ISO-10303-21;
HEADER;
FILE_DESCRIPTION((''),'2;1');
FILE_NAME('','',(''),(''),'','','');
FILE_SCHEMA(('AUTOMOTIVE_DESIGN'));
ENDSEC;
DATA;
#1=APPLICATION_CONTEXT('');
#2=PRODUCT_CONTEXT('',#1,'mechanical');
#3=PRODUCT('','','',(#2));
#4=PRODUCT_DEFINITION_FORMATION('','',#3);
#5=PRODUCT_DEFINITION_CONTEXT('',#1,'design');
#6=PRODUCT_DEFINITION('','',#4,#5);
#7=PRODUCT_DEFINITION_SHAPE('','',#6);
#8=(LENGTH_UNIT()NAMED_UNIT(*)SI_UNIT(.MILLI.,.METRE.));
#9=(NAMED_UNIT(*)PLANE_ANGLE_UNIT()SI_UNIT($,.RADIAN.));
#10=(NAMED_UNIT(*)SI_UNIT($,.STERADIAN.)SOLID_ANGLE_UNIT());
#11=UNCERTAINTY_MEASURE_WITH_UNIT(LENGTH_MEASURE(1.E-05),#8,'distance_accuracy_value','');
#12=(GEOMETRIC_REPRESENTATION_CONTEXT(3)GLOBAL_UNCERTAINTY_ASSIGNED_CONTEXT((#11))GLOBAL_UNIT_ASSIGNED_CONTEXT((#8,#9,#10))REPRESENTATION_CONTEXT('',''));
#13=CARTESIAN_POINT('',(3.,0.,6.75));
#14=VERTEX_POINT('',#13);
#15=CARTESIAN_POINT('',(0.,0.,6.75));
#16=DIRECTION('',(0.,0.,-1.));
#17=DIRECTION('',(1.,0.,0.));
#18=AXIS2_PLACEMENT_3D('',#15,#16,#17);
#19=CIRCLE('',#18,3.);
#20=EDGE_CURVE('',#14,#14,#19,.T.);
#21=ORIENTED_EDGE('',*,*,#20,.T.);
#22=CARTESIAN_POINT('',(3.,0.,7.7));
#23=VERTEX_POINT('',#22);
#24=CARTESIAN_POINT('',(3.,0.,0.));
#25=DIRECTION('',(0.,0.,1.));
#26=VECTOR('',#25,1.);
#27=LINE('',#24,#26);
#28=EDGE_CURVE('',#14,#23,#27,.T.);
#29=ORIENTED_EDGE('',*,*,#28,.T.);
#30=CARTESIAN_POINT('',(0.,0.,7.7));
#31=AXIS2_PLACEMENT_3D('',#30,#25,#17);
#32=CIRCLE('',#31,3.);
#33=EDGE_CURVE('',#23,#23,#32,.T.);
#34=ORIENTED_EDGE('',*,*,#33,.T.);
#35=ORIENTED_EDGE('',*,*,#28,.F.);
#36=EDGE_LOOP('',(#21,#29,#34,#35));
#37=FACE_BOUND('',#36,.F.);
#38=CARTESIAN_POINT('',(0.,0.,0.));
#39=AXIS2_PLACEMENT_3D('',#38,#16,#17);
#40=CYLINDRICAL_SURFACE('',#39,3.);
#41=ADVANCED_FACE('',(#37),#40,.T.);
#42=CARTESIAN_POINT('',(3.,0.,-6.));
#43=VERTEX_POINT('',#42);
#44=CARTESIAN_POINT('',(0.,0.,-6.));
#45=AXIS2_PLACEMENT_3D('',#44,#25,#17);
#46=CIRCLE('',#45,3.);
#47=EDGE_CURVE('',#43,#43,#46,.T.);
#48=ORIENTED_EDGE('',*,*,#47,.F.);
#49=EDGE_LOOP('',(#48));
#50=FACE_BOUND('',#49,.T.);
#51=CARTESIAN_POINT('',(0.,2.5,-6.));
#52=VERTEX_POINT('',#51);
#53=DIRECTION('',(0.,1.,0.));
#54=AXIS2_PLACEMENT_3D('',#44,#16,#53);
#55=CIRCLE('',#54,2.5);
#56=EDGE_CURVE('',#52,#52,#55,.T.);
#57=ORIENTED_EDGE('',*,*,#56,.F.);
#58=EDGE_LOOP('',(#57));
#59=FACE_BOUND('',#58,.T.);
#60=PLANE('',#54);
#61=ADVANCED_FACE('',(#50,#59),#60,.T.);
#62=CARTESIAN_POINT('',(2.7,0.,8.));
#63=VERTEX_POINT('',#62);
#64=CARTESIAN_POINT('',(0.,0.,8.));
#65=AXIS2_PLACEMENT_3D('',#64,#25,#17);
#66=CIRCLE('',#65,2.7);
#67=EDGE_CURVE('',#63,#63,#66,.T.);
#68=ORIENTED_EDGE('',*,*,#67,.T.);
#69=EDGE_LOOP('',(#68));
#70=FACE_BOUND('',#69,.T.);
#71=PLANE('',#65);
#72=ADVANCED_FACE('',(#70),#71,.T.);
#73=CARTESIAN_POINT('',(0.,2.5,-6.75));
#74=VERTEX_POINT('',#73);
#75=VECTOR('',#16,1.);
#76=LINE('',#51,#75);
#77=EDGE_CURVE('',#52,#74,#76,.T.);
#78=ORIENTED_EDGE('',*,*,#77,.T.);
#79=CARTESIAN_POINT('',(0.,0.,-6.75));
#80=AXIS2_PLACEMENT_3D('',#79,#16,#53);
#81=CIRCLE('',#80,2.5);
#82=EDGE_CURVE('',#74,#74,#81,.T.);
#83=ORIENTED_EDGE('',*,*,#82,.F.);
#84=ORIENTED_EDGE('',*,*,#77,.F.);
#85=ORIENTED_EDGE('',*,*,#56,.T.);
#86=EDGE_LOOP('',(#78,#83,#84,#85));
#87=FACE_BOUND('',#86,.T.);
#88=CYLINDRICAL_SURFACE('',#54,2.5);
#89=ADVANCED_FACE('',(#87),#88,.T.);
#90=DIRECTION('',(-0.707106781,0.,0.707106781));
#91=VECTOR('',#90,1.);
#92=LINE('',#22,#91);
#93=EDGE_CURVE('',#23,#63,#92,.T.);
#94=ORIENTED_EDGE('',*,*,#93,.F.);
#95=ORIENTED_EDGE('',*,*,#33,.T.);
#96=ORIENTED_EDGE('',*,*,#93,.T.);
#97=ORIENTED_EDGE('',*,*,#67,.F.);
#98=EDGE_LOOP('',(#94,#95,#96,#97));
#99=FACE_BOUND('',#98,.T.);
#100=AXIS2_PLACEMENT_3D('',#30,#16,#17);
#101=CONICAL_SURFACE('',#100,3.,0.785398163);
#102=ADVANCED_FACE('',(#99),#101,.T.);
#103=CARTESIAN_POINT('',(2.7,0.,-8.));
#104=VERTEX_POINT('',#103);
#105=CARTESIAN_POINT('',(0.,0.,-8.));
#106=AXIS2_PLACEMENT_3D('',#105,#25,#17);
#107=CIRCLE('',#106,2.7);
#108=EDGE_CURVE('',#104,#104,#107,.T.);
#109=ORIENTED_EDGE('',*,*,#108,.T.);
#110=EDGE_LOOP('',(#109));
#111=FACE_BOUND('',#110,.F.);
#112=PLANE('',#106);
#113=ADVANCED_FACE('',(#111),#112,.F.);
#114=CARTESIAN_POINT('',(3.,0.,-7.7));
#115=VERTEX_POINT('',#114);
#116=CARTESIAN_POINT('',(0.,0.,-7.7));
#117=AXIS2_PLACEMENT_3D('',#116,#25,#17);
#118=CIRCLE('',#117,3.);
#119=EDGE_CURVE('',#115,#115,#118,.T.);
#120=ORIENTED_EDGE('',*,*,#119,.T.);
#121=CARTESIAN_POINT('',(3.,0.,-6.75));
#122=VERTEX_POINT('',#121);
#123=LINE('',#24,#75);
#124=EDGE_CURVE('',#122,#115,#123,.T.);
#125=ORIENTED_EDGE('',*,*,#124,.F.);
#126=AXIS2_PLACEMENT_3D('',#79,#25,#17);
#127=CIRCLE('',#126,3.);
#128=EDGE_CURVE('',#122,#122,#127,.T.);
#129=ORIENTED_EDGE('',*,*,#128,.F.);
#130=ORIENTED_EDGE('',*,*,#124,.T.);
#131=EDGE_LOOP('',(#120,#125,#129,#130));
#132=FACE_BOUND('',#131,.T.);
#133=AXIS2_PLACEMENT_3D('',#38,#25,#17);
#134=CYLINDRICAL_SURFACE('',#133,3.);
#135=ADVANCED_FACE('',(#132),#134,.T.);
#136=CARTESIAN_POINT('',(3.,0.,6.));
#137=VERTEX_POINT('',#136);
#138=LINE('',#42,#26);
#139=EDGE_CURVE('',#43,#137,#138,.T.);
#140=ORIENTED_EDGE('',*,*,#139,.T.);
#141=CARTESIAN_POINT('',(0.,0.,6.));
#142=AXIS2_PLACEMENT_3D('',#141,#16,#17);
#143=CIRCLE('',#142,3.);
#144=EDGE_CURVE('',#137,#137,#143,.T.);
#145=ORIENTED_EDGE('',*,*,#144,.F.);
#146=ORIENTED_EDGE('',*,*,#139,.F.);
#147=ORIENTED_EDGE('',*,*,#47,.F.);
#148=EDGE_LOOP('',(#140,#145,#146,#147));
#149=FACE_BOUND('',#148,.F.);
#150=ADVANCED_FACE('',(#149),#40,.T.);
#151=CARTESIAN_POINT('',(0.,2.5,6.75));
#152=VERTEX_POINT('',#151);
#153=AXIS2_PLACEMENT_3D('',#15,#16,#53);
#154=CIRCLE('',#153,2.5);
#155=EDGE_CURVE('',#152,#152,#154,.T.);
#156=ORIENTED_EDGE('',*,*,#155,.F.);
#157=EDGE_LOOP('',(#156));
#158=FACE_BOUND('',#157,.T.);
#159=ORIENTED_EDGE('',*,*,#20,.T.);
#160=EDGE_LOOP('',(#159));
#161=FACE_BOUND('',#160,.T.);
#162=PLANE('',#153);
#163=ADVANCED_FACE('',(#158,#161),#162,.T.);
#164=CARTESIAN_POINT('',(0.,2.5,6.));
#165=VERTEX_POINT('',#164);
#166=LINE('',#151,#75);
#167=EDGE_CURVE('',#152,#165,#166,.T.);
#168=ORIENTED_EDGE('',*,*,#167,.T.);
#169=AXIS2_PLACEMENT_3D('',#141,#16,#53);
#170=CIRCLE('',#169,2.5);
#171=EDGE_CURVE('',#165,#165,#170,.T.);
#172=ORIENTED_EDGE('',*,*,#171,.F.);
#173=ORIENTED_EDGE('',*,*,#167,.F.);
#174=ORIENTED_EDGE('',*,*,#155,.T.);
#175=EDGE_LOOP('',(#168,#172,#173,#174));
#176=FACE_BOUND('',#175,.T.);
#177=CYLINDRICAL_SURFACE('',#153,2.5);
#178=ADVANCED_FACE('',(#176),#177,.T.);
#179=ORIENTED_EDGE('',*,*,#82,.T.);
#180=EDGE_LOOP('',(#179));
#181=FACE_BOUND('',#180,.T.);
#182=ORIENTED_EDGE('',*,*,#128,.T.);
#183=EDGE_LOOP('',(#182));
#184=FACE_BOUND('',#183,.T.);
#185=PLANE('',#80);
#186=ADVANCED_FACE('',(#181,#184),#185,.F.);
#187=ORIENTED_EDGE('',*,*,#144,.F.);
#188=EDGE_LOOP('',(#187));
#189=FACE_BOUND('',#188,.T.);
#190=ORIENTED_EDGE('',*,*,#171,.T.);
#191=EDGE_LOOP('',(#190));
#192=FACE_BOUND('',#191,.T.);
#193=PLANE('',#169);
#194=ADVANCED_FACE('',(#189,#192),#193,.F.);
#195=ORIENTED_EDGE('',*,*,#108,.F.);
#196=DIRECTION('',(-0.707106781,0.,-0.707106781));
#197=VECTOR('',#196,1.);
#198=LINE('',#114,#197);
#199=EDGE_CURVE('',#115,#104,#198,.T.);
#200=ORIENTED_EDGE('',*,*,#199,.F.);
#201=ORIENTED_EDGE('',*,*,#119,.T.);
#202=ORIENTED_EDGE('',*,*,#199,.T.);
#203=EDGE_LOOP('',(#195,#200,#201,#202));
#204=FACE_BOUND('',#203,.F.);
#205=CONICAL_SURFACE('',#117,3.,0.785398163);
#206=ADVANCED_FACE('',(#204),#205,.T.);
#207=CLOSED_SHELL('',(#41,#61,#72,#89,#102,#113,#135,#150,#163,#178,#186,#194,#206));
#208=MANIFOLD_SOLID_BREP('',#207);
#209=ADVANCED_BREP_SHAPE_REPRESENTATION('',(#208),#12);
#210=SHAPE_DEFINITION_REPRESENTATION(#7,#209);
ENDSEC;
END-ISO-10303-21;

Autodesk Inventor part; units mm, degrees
ref_plane "YZ Plane" through (0, 0, 0) normal (1, 0, 0) x (0, 1, 0)
ref_plane "XZ Plane" through (0, 0, 0) normal (0, 1, 0) x (-1, 0, 0)
ref_plane "XY Plane" through (0, 0, 0) normal (0, 0, 1) x (1, 0, 0)
sketch "Esboço1" plane through (0, 0, 0) normal (0, 0, 1) x (1, 0, 0)
  circle A0 centre (0, 0) radius 3
  dimension "d0" = 6
extrude "Extrusão1" add sketch "Esboço1" along normal mid plane 16
sketch "Esboço2" plane through (0, 0, 0) normal (1, 0, 0) x (0, 1, 0)
  line L0 (3.25, -6) -> (2.5, -6)
  line L1 (2.5, -6) -> (2.5, -6.75)
  line L2 (2.5, -6.75) -> (3.25, -6.75)
  line L3 (3.25, -6.75) -> (3.25, -6)
  line L4 (3.1313, 6.75) -> (2.5, 6.75)
  line L5 (2.5, 6.75) -> (2.5, 6)
  line L6 (2.5, 6) -> (3.1313, 6)
  line L7 (3.1313, 6) -> (3.1313, 6.75)
  line L8 (0, 0) -> (0, -8)
  line L9 (-3, -8) -> (3, -8) projected
  dimension "d3" = 5
  dimension "d4" = 6.5
  dimension "d5" = 6
  dimension "d6" = 0.75
  dimension "d7" = 6
  dimension "d8" = 0.75
revolve "Revolução1" cut sketch "Esboço2" angle 360 about axis through (0, 0, 0) along (0, 0, -1)
chamfer "Chanfro1" distance 0.3 angle 45 2 edges at (-3, 0, 8) (-3, 0, -8)
